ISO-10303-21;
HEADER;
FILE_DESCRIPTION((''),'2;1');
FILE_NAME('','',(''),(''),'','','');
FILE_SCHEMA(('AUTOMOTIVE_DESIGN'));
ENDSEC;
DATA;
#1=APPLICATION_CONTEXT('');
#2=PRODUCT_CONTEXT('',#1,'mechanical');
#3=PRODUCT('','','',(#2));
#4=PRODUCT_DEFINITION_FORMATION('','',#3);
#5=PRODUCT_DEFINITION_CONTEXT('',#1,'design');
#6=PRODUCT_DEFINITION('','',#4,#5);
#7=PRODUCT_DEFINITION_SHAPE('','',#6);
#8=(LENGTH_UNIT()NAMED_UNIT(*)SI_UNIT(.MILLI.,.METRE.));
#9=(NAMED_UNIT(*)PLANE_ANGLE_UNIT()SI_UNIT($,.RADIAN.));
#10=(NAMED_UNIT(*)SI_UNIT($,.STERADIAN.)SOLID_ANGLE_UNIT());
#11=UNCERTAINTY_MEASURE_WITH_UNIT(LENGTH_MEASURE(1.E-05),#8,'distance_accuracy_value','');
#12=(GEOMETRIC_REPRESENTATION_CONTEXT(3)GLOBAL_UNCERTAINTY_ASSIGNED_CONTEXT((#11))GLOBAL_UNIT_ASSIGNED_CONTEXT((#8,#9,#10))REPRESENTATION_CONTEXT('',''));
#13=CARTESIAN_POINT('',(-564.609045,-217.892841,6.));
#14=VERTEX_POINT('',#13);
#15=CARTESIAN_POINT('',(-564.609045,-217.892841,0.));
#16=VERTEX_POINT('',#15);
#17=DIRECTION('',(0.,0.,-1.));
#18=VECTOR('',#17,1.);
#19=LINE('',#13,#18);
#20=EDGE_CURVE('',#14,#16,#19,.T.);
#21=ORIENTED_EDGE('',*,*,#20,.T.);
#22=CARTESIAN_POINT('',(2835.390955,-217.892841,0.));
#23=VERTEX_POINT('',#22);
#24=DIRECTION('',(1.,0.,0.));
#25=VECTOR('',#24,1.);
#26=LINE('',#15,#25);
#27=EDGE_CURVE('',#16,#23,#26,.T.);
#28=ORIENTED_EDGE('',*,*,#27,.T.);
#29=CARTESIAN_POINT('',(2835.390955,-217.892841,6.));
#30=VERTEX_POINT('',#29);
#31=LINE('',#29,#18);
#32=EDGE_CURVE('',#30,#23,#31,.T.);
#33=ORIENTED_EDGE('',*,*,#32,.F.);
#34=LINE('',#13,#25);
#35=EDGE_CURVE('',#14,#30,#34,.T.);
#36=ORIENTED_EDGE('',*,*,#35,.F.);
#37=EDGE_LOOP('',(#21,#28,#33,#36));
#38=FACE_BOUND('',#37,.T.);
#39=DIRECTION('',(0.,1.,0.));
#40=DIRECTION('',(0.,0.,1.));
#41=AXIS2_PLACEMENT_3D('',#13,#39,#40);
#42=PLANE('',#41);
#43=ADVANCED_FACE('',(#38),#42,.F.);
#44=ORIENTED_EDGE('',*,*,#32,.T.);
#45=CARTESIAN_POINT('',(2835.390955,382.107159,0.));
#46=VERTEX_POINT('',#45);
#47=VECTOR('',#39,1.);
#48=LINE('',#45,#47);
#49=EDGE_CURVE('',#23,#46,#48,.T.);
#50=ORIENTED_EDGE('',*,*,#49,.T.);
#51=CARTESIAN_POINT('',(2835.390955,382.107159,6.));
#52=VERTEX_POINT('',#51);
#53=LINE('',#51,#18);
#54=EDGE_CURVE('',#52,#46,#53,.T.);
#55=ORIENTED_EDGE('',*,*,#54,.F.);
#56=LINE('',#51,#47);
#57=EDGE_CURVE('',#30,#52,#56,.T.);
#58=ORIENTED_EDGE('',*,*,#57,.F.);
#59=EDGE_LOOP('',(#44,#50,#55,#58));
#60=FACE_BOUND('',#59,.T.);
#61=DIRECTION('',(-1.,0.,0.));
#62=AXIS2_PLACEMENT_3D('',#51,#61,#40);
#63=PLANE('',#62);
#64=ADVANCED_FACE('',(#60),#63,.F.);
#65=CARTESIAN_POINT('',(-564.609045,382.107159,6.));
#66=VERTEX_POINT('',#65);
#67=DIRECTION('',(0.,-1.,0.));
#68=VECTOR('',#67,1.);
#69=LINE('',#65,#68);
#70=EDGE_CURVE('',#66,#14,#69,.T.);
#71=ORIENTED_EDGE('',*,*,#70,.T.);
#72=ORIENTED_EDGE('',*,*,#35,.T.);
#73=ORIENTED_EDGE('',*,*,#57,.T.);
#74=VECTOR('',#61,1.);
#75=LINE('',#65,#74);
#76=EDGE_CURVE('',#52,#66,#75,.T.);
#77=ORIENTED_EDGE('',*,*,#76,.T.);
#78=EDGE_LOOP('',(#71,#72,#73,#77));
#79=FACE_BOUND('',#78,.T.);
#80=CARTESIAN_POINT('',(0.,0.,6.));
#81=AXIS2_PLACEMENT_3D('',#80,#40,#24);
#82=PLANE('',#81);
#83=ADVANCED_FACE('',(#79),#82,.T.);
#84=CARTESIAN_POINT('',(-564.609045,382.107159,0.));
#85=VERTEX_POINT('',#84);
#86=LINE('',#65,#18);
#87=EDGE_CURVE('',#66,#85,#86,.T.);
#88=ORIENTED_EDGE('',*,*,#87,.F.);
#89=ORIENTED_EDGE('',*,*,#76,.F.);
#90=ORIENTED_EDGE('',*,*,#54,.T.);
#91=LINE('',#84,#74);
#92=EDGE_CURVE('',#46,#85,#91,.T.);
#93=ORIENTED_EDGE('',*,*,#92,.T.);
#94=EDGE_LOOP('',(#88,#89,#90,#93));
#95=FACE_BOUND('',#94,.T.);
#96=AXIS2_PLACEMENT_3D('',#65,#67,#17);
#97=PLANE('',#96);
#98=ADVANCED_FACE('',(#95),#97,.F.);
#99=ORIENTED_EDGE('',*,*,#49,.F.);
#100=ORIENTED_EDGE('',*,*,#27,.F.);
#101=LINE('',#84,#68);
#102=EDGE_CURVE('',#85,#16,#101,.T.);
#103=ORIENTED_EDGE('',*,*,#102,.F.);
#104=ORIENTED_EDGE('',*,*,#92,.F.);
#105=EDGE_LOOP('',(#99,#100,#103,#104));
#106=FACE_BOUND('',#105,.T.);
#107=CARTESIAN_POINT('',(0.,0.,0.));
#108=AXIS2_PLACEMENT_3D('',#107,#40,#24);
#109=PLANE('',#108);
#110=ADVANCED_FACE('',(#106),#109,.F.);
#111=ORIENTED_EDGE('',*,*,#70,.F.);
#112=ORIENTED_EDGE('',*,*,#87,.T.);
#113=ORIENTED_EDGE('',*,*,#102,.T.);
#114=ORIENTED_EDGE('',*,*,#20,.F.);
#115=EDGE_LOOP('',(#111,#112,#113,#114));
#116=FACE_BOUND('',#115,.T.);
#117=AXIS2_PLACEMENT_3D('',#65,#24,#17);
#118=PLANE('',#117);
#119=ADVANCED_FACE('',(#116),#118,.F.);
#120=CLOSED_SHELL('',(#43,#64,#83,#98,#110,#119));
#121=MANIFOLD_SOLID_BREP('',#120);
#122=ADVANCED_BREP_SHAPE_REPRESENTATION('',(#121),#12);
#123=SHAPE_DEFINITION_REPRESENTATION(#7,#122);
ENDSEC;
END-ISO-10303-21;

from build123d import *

# Parameters (mm, degrees)
CROQUIS1_W              = 3400
CROQUIS1_H              = 600
SALIENTE_EXTRUIR1_DEPTH = 6


with BuildPart() as part:
    # Croquis1 → Saliente-Extruir1 (new body)
    with BuildSketch(Plane.XY):
        with Locations((1135.390954763, 82.107159086)):
            Rectangle(CROQUIS1_W, CROQUIS1_H)
    extrude(amount=SALIENTE_EXTRUIR1_DEPTH)


solid = part.part
